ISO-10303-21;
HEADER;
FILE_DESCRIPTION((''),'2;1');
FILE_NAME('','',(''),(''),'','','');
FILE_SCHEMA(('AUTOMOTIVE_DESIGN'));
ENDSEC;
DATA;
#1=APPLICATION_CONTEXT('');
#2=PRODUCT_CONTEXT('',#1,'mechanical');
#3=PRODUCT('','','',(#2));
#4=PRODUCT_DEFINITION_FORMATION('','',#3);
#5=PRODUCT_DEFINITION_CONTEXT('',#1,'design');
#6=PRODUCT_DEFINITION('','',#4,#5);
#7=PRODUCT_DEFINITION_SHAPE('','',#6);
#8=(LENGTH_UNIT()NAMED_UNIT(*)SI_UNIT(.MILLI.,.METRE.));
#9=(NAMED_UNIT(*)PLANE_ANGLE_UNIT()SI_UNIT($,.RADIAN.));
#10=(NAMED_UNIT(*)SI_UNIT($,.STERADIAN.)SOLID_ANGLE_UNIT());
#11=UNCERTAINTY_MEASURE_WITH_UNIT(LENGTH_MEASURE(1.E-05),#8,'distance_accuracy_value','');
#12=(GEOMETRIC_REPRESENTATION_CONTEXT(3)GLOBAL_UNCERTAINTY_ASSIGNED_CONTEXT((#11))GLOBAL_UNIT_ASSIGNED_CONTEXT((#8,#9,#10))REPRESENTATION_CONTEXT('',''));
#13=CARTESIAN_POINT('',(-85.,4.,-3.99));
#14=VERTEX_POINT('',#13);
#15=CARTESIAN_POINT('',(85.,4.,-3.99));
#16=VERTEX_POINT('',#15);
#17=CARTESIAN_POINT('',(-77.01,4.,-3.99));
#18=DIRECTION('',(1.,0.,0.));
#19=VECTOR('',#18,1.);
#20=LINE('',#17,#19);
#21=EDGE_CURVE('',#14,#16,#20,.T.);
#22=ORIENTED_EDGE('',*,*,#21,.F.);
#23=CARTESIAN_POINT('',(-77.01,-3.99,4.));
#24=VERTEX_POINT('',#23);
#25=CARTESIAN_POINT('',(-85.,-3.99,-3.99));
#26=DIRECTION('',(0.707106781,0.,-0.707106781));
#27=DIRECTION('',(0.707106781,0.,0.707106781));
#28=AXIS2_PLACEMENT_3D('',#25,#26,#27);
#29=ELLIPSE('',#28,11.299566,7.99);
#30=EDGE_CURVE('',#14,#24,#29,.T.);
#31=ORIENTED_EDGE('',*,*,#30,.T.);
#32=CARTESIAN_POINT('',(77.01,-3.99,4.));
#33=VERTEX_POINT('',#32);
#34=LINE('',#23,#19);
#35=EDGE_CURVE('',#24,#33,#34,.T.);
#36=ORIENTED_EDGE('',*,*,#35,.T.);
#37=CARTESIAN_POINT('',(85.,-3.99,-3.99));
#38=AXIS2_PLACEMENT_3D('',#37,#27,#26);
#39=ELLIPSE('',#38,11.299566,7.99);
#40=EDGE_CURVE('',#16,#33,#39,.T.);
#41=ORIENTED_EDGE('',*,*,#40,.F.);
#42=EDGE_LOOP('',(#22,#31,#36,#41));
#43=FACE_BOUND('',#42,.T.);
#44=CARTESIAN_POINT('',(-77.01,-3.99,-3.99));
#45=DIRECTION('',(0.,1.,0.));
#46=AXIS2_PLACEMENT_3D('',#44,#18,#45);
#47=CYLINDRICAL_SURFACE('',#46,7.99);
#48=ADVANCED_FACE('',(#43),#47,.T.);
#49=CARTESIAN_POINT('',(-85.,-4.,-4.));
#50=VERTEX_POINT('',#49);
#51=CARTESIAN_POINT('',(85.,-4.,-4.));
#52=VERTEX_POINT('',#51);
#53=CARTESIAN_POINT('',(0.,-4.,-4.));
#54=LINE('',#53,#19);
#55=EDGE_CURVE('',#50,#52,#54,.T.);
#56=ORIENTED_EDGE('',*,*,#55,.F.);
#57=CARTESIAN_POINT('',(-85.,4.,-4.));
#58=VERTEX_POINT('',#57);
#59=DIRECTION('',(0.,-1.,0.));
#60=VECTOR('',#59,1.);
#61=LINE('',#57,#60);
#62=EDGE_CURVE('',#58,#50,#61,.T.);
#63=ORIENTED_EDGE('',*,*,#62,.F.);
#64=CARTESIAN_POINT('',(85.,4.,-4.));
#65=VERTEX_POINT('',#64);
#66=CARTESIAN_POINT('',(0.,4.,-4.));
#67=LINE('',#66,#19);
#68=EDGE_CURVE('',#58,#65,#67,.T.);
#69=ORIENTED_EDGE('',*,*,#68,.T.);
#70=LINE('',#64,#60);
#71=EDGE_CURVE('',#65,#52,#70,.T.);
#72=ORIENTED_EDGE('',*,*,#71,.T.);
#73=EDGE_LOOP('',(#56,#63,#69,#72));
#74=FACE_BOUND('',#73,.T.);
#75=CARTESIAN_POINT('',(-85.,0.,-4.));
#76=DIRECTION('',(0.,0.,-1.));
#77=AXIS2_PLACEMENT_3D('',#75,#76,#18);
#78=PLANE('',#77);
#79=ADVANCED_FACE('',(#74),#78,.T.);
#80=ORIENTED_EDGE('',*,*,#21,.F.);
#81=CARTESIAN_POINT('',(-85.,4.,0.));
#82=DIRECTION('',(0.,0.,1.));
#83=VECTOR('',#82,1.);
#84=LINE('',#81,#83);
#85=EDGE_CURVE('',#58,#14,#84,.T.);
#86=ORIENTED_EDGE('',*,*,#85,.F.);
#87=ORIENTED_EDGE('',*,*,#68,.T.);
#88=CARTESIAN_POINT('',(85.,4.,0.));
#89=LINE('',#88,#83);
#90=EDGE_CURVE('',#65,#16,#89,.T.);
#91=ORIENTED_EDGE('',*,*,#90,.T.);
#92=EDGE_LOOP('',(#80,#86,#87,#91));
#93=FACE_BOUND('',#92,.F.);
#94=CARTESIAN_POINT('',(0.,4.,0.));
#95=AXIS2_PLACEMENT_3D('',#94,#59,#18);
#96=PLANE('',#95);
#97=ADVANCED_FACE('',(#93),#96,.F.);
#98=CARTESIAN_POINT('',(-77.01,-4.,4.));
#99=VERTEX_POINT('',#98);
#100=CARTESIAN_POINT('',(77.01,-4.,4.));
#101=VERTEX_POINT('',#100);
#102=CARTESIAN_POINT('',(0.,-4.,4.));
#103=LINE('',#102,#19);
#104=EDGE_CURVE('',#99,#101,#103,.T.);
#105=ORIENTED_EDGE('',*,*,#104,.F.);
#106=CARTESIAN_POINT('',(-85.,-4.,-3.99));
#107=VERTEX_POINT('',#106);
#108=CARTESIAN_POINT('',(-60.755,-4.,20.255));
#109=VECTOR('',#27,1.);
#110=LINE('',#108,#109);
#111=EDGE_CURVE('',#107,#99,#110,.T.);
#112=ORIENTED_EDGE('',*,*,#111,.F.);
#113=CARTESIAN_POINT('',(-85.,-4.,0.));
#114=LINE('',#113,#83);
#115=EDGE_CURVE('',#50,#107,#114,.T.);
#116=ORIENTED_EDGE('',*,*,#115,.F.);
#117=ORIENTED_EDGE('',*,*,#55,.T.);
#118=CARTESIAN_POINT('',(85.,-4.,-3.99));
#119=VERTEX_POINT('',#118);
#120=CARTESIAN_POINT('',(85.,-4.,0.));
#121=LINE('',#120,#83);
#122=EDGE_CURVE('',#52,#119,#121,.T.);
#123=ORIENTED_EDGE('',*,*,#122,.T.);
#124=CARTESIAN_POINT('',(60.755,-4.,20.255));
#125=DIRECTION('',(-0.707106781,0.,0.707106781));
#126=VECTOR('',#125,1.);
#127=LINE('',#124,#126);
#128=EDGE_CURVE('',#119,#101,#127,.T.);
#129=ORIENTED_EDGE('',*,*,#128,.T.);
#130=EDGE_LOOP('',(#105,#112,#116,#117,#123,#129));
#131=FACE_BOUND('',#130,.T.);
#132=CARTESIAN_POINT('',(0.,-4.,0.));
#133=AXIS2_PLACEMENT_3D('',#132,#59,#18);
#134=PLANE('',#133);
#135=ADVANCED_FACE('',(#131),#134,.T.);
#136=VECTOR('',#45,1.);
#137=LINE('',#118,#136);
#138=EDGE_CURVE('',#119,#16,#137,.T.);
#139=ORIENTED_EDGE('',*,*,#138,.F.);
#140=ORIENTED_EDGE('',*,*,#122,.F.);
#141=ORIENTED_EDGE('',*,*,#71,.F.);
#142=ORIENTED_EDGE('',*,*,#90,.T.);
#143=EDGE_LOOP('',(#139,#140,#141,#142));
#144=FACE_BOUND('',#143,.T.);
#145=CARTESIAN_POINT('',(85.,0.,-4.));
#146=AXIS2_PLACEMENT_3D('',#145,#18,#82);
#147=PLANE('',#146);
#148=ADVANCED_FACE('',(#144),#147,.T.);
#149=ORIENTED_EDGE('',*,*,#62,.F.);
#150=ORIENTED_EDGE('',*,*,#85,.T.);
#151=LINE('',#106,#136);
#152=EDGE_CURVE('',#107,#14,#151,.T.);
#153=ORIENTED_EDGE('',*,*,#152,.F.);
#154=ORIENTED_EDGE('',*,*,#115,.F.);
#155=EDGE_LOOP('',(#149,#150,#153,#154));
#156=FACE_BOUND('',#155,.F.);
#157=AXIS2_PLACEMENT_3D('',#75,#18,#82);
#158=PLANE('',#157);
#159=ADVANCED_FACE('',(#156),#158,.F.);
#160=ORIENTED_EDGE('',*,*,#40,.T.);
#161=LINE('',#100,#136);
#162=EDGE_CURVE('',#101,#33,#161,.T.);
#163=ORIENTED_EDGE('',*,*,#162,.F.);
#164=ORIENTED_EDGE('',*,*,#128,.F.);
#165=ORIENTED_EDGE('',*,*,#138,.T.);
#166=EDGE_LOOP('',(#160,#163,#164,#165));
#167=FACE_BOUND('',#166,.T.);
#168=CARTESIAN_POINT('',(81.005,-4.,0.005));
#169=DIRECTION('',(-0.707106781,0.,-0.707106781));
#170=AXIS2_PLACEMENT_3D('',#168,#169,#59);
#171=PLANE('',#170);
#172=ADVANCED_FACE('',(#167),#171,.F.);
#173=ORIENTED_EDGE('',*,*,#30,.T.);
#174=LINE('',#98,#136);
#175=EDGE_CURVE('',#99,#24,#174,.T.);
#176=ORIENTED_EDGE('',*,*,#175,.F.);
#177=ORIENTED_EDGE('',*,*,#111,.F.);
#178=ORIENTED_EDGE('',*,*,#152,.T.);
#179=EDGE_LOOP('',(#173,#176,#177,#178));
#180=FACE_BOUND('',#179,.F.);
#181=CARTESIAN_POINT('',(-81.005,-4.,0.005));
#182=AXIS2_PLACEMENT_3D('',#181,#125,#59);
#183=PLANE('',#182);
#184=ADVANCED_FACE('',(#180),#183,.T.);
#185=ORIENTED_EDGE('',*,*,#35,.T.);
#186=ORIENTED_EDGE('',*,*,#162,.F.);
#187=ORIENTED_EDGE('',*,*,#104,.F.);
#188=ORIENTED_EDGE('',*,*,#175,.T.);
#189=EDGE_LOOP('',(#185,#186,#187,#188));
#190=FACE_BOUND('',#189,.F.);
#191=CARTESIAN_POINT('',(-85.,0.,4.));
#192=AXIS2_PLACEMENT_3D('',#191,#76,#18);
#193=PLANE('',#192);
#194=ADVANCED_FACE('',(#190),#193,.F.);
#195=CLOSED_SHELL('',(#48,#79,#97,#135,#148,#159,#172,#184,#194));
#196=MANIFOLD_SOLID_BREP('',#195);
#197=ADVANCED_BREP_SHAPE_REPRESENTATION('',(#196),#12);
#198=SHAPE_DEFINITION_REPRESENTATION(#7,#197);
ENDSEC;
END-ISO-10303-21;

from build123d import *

# Parameters (mm, degrees)
SKETCH002_W     = 170
SKETCH002_H     = 8
PAD002_DEPTH    = 4
CHAMFER001_SIZE = 7.99
FILLET001_R     = 7.99


with BuildPart() as part:
    # Sketch002 → Pad002 (new body, symmetric)
    with BuildSketch(Plane.XZ):
        Rectangle(SKETCH002_W, SKETCH002_H)
    extrude(amount=PAD002_DEPTH, both=True)

    # Chamfer001
    chamfer001_edges = [part.edges().sort_by_distance(p)[0] for p in [
        (85, 0, 4),
        (-85, 0, 4),
    ]]
    chamfer(chamfer001_edges, length=CHAMFER001_SIZE)

    # Fillet001
    fillet001_edges = [part.edges().sort_by_distance(p)[0] for p in [
        (0, 4, 4),
    ]]
    fillet(fillet001_edges, radius=FILLET001_R)


solid = part.part
